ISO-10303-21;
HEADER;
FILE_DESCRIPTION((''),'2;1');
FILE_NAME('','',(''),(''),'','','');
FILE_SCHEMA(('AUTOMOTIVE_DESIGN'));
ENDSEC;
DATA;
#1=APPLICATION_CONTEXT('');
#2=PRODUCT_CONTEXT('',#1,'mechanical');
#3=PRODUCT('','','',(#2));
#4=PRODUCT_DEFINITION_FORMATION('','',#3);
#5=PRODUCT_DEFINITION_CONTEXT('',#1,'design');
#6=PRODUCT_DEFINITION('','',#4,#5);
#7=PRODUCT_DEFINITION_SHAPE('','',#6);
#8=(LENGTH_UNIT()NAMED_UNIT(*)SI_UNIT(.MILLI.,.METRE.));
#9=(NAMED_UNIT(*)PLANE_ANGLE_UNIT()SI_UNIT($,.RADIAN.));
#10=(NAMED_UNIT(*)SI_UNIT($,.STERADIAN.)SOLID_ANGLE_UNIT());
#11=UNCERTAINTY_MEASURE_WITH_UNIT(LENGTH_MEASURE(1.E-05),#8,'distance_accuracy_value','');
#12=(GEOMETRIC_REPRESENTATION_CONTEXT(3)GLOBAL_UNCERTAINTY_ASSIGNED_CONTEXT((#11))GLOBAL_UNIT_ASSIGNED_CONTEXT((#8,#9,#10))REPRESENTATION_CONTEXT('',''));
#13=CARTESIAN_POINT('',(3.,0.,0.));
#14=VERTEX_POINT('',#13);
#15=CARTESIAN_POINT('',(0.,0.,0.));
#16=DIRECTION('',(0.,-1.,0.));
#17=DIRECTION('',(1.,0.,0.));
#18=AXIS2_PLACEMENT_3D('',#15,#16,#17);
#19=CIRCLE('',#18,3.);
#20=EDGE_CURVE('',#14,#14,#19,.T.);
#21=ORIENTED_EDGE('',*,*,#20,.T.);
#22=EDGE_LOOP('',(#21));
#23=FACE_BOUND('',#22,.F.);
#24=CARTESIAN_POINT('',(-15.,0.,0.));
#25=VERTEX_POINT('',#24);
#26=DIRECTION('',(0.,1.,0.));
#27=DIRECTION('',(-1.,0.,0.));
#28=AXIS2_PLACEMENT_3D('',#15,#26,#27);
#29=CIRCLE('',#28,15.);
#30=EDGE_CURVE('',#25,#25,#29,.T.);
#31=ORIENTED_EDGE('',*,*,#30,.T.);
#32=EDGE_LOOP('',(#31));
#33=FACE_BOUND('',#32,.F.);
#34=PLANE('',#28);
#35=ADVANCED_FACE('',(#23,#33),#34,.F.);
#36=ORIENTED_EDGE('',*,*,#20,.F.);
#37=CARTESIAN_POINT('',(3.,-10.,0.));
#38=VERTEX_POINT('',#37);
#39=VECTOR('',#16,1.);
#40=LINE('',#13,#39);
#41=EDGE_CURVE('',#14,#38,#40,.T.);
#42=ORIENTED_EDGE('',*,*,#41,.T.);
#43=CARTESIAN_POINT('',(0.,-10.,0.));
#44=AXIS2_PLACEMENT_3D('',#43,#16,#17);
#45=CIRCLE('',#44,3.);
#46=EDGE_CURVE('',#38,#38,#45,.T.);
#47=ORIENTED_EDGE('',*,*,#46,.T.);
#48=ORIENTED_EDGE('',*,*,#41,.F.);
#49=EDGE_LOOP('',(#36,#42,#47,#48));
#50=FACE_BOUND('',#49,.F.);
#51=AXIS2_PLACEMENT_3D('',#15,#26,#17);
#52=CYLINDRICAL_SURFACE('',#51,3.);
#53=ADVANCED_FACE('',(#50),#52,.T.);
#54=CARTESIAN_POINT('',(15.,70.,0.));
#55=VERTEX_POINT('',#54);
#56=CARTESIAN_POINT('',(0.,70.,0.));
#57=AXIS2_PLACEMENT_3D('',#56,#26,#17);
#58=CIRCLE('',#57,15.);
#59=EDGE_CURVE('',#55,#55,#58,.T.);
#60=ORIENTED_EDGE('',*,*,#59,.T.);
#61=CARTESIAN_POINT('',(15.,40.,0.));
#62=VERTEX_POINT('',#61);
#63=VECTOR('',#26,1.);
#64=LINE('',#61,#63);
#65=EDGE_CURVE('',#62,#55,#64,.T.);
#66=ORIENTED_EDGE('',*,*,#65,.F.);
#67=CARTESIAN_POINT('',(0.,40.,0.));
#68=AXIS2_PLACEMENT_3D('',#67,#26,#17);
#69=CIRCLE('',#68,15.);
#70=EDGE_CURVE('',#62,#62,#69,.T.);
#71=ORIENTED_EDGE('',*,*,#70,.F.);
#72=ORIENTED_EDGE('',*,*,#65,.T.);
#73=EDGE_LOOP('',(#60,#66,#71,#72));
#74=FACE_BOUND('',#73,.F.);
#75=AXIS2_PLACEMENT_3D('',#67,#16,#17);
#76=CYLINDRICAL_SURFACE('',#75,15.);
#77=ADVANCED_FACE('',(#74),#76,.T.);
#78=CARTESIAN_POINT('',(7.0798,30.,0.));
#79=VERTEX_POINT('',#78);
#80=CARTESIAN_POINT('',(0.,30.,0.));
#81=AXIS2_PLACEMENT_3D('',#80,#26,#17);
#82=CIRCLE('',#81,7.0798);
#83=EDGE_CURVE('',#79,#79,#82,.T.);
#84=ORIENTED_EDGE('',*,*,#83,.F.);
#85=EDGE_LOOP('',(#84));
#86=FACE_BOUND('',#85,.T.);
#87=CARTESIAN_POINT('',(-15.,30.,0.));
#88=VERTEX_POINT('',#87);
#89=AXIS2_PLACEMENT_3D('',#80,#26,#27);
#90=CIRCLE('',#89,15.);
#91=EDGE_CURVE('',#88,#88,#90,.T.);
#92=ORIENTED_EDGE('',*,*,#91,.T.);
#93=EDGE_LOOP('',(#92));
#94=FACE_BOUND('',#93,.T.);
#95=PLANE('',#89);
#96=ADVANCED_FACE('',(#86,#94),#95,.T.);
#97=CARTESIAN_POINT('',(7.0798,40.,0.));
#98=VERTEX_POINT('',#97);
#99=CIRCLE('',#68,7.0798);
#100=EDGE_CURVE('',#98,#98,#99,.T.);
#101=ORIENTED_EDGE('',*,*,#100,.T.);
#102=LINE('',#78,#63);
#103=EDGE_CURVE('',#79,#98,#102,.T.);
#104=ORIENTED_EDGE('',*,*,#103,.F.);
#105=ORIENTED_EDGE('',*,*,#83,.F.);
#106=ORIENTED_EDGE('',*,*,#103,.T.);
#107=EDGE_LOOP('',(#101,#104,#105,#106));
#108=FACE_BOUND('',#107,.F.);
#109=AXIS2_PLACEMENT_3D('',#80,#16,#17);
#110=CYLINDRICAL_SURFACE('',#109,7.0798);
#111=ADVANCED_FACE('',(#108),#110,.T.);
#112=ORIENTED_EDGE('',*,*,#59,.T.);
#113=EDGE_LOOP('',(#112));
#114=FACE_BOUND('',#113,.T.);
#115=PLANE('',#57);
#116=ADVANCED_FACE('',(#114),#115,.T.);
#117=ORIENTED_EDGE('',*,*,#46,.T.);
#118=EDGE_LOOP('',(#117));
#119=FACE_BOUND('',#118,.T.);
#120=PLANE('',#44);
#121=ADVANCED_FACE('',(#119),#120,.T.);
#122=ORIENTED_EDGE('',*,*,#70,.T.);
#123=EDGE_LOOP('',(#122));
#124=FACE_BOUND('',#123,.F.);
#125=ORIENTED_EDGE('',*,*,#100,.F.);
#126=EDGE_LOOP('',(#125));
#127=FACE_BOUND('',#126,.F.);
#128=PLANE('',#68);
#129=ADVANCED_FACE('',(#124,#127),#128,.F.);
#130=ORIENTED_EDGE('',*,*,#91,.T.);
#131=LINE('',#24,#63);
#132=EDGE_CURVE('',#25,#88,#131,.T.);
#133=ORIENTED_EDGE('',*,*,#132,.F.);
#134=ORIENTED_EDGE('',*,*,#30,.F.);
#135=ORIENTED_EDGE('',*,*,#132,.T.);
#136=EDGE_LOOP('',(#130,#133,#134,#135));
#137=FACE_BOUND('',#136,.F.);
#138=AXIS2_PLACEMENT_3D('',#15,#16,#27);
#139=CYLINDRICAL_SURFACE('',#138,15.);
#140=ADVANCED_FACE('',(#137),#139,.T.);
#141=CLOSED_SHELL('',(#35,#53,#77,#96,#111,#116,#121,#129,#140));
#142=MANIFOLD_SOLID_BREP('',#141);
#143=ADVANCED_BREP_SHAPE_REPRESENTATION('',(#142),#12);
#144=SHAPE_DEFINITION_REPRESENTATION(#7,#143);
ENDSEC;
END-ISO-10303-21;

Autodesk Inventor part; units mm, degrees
ref_plane "YZ Plane" through (0, 0, 0) normal (1, 0, 0) x (0, 1, 0)
ref_plane "XZ Plane" through (0, 0, 0) normal (0, 1, 0) x (-1, 0, 0)
ref_plane "XY Plane" through (0, 0, 0) normal (0, 0, 1) x (1, 0, 0)
sketch "スケッチ1" plane through (0, 0, 0) normal (0, 1, 0) x (-1, 0, 0)
  circle A0 centre (0, 0) radius 3
  circle A1 centre (0, 0) radius 15
  dimension "d0" = 6
  dimension "d1" = 30
extrude "押し出し1" add sketch "スケッチ1" along normal blind 30 contours A0 | A1
sketch "スケッチ2" plane through (0, 0, 0) normal (0, -1, 0) x (1, 0, 0)
  circle A0 centre (0, 0) radius 3
  dimension "d4" = 6
extrude "押し出し2" add sketch "スケッチ2" along normal blind 10
sketch "スケッチ3" plane through (0, 30, 0) normal (0, 1, 0) x (1, 0, 0)
  circle A0 centre (0, 0) radius 3
  dimension "d7" = 6
extrude "押し出し3" add sketch "スケッチ3" along normal blind 10
sketch "スケッチ4" plane through (0, 40, 0) normal (0, 1, 0) x (1, 0, 0)
  circle A0 centre (0, 0) radius 15
extrude "押し出し4" add sketch "スケッチ4" along normal blind 30
sketch "スケッチ5" plane through (0, 30, 0) normal (0, 1, 0) x (1, 0, 0)
  circle A0 centre (0, 0) radius 7.0798
extrude "押し出し5" add sketch "スケッチ5" along normal blind 10
